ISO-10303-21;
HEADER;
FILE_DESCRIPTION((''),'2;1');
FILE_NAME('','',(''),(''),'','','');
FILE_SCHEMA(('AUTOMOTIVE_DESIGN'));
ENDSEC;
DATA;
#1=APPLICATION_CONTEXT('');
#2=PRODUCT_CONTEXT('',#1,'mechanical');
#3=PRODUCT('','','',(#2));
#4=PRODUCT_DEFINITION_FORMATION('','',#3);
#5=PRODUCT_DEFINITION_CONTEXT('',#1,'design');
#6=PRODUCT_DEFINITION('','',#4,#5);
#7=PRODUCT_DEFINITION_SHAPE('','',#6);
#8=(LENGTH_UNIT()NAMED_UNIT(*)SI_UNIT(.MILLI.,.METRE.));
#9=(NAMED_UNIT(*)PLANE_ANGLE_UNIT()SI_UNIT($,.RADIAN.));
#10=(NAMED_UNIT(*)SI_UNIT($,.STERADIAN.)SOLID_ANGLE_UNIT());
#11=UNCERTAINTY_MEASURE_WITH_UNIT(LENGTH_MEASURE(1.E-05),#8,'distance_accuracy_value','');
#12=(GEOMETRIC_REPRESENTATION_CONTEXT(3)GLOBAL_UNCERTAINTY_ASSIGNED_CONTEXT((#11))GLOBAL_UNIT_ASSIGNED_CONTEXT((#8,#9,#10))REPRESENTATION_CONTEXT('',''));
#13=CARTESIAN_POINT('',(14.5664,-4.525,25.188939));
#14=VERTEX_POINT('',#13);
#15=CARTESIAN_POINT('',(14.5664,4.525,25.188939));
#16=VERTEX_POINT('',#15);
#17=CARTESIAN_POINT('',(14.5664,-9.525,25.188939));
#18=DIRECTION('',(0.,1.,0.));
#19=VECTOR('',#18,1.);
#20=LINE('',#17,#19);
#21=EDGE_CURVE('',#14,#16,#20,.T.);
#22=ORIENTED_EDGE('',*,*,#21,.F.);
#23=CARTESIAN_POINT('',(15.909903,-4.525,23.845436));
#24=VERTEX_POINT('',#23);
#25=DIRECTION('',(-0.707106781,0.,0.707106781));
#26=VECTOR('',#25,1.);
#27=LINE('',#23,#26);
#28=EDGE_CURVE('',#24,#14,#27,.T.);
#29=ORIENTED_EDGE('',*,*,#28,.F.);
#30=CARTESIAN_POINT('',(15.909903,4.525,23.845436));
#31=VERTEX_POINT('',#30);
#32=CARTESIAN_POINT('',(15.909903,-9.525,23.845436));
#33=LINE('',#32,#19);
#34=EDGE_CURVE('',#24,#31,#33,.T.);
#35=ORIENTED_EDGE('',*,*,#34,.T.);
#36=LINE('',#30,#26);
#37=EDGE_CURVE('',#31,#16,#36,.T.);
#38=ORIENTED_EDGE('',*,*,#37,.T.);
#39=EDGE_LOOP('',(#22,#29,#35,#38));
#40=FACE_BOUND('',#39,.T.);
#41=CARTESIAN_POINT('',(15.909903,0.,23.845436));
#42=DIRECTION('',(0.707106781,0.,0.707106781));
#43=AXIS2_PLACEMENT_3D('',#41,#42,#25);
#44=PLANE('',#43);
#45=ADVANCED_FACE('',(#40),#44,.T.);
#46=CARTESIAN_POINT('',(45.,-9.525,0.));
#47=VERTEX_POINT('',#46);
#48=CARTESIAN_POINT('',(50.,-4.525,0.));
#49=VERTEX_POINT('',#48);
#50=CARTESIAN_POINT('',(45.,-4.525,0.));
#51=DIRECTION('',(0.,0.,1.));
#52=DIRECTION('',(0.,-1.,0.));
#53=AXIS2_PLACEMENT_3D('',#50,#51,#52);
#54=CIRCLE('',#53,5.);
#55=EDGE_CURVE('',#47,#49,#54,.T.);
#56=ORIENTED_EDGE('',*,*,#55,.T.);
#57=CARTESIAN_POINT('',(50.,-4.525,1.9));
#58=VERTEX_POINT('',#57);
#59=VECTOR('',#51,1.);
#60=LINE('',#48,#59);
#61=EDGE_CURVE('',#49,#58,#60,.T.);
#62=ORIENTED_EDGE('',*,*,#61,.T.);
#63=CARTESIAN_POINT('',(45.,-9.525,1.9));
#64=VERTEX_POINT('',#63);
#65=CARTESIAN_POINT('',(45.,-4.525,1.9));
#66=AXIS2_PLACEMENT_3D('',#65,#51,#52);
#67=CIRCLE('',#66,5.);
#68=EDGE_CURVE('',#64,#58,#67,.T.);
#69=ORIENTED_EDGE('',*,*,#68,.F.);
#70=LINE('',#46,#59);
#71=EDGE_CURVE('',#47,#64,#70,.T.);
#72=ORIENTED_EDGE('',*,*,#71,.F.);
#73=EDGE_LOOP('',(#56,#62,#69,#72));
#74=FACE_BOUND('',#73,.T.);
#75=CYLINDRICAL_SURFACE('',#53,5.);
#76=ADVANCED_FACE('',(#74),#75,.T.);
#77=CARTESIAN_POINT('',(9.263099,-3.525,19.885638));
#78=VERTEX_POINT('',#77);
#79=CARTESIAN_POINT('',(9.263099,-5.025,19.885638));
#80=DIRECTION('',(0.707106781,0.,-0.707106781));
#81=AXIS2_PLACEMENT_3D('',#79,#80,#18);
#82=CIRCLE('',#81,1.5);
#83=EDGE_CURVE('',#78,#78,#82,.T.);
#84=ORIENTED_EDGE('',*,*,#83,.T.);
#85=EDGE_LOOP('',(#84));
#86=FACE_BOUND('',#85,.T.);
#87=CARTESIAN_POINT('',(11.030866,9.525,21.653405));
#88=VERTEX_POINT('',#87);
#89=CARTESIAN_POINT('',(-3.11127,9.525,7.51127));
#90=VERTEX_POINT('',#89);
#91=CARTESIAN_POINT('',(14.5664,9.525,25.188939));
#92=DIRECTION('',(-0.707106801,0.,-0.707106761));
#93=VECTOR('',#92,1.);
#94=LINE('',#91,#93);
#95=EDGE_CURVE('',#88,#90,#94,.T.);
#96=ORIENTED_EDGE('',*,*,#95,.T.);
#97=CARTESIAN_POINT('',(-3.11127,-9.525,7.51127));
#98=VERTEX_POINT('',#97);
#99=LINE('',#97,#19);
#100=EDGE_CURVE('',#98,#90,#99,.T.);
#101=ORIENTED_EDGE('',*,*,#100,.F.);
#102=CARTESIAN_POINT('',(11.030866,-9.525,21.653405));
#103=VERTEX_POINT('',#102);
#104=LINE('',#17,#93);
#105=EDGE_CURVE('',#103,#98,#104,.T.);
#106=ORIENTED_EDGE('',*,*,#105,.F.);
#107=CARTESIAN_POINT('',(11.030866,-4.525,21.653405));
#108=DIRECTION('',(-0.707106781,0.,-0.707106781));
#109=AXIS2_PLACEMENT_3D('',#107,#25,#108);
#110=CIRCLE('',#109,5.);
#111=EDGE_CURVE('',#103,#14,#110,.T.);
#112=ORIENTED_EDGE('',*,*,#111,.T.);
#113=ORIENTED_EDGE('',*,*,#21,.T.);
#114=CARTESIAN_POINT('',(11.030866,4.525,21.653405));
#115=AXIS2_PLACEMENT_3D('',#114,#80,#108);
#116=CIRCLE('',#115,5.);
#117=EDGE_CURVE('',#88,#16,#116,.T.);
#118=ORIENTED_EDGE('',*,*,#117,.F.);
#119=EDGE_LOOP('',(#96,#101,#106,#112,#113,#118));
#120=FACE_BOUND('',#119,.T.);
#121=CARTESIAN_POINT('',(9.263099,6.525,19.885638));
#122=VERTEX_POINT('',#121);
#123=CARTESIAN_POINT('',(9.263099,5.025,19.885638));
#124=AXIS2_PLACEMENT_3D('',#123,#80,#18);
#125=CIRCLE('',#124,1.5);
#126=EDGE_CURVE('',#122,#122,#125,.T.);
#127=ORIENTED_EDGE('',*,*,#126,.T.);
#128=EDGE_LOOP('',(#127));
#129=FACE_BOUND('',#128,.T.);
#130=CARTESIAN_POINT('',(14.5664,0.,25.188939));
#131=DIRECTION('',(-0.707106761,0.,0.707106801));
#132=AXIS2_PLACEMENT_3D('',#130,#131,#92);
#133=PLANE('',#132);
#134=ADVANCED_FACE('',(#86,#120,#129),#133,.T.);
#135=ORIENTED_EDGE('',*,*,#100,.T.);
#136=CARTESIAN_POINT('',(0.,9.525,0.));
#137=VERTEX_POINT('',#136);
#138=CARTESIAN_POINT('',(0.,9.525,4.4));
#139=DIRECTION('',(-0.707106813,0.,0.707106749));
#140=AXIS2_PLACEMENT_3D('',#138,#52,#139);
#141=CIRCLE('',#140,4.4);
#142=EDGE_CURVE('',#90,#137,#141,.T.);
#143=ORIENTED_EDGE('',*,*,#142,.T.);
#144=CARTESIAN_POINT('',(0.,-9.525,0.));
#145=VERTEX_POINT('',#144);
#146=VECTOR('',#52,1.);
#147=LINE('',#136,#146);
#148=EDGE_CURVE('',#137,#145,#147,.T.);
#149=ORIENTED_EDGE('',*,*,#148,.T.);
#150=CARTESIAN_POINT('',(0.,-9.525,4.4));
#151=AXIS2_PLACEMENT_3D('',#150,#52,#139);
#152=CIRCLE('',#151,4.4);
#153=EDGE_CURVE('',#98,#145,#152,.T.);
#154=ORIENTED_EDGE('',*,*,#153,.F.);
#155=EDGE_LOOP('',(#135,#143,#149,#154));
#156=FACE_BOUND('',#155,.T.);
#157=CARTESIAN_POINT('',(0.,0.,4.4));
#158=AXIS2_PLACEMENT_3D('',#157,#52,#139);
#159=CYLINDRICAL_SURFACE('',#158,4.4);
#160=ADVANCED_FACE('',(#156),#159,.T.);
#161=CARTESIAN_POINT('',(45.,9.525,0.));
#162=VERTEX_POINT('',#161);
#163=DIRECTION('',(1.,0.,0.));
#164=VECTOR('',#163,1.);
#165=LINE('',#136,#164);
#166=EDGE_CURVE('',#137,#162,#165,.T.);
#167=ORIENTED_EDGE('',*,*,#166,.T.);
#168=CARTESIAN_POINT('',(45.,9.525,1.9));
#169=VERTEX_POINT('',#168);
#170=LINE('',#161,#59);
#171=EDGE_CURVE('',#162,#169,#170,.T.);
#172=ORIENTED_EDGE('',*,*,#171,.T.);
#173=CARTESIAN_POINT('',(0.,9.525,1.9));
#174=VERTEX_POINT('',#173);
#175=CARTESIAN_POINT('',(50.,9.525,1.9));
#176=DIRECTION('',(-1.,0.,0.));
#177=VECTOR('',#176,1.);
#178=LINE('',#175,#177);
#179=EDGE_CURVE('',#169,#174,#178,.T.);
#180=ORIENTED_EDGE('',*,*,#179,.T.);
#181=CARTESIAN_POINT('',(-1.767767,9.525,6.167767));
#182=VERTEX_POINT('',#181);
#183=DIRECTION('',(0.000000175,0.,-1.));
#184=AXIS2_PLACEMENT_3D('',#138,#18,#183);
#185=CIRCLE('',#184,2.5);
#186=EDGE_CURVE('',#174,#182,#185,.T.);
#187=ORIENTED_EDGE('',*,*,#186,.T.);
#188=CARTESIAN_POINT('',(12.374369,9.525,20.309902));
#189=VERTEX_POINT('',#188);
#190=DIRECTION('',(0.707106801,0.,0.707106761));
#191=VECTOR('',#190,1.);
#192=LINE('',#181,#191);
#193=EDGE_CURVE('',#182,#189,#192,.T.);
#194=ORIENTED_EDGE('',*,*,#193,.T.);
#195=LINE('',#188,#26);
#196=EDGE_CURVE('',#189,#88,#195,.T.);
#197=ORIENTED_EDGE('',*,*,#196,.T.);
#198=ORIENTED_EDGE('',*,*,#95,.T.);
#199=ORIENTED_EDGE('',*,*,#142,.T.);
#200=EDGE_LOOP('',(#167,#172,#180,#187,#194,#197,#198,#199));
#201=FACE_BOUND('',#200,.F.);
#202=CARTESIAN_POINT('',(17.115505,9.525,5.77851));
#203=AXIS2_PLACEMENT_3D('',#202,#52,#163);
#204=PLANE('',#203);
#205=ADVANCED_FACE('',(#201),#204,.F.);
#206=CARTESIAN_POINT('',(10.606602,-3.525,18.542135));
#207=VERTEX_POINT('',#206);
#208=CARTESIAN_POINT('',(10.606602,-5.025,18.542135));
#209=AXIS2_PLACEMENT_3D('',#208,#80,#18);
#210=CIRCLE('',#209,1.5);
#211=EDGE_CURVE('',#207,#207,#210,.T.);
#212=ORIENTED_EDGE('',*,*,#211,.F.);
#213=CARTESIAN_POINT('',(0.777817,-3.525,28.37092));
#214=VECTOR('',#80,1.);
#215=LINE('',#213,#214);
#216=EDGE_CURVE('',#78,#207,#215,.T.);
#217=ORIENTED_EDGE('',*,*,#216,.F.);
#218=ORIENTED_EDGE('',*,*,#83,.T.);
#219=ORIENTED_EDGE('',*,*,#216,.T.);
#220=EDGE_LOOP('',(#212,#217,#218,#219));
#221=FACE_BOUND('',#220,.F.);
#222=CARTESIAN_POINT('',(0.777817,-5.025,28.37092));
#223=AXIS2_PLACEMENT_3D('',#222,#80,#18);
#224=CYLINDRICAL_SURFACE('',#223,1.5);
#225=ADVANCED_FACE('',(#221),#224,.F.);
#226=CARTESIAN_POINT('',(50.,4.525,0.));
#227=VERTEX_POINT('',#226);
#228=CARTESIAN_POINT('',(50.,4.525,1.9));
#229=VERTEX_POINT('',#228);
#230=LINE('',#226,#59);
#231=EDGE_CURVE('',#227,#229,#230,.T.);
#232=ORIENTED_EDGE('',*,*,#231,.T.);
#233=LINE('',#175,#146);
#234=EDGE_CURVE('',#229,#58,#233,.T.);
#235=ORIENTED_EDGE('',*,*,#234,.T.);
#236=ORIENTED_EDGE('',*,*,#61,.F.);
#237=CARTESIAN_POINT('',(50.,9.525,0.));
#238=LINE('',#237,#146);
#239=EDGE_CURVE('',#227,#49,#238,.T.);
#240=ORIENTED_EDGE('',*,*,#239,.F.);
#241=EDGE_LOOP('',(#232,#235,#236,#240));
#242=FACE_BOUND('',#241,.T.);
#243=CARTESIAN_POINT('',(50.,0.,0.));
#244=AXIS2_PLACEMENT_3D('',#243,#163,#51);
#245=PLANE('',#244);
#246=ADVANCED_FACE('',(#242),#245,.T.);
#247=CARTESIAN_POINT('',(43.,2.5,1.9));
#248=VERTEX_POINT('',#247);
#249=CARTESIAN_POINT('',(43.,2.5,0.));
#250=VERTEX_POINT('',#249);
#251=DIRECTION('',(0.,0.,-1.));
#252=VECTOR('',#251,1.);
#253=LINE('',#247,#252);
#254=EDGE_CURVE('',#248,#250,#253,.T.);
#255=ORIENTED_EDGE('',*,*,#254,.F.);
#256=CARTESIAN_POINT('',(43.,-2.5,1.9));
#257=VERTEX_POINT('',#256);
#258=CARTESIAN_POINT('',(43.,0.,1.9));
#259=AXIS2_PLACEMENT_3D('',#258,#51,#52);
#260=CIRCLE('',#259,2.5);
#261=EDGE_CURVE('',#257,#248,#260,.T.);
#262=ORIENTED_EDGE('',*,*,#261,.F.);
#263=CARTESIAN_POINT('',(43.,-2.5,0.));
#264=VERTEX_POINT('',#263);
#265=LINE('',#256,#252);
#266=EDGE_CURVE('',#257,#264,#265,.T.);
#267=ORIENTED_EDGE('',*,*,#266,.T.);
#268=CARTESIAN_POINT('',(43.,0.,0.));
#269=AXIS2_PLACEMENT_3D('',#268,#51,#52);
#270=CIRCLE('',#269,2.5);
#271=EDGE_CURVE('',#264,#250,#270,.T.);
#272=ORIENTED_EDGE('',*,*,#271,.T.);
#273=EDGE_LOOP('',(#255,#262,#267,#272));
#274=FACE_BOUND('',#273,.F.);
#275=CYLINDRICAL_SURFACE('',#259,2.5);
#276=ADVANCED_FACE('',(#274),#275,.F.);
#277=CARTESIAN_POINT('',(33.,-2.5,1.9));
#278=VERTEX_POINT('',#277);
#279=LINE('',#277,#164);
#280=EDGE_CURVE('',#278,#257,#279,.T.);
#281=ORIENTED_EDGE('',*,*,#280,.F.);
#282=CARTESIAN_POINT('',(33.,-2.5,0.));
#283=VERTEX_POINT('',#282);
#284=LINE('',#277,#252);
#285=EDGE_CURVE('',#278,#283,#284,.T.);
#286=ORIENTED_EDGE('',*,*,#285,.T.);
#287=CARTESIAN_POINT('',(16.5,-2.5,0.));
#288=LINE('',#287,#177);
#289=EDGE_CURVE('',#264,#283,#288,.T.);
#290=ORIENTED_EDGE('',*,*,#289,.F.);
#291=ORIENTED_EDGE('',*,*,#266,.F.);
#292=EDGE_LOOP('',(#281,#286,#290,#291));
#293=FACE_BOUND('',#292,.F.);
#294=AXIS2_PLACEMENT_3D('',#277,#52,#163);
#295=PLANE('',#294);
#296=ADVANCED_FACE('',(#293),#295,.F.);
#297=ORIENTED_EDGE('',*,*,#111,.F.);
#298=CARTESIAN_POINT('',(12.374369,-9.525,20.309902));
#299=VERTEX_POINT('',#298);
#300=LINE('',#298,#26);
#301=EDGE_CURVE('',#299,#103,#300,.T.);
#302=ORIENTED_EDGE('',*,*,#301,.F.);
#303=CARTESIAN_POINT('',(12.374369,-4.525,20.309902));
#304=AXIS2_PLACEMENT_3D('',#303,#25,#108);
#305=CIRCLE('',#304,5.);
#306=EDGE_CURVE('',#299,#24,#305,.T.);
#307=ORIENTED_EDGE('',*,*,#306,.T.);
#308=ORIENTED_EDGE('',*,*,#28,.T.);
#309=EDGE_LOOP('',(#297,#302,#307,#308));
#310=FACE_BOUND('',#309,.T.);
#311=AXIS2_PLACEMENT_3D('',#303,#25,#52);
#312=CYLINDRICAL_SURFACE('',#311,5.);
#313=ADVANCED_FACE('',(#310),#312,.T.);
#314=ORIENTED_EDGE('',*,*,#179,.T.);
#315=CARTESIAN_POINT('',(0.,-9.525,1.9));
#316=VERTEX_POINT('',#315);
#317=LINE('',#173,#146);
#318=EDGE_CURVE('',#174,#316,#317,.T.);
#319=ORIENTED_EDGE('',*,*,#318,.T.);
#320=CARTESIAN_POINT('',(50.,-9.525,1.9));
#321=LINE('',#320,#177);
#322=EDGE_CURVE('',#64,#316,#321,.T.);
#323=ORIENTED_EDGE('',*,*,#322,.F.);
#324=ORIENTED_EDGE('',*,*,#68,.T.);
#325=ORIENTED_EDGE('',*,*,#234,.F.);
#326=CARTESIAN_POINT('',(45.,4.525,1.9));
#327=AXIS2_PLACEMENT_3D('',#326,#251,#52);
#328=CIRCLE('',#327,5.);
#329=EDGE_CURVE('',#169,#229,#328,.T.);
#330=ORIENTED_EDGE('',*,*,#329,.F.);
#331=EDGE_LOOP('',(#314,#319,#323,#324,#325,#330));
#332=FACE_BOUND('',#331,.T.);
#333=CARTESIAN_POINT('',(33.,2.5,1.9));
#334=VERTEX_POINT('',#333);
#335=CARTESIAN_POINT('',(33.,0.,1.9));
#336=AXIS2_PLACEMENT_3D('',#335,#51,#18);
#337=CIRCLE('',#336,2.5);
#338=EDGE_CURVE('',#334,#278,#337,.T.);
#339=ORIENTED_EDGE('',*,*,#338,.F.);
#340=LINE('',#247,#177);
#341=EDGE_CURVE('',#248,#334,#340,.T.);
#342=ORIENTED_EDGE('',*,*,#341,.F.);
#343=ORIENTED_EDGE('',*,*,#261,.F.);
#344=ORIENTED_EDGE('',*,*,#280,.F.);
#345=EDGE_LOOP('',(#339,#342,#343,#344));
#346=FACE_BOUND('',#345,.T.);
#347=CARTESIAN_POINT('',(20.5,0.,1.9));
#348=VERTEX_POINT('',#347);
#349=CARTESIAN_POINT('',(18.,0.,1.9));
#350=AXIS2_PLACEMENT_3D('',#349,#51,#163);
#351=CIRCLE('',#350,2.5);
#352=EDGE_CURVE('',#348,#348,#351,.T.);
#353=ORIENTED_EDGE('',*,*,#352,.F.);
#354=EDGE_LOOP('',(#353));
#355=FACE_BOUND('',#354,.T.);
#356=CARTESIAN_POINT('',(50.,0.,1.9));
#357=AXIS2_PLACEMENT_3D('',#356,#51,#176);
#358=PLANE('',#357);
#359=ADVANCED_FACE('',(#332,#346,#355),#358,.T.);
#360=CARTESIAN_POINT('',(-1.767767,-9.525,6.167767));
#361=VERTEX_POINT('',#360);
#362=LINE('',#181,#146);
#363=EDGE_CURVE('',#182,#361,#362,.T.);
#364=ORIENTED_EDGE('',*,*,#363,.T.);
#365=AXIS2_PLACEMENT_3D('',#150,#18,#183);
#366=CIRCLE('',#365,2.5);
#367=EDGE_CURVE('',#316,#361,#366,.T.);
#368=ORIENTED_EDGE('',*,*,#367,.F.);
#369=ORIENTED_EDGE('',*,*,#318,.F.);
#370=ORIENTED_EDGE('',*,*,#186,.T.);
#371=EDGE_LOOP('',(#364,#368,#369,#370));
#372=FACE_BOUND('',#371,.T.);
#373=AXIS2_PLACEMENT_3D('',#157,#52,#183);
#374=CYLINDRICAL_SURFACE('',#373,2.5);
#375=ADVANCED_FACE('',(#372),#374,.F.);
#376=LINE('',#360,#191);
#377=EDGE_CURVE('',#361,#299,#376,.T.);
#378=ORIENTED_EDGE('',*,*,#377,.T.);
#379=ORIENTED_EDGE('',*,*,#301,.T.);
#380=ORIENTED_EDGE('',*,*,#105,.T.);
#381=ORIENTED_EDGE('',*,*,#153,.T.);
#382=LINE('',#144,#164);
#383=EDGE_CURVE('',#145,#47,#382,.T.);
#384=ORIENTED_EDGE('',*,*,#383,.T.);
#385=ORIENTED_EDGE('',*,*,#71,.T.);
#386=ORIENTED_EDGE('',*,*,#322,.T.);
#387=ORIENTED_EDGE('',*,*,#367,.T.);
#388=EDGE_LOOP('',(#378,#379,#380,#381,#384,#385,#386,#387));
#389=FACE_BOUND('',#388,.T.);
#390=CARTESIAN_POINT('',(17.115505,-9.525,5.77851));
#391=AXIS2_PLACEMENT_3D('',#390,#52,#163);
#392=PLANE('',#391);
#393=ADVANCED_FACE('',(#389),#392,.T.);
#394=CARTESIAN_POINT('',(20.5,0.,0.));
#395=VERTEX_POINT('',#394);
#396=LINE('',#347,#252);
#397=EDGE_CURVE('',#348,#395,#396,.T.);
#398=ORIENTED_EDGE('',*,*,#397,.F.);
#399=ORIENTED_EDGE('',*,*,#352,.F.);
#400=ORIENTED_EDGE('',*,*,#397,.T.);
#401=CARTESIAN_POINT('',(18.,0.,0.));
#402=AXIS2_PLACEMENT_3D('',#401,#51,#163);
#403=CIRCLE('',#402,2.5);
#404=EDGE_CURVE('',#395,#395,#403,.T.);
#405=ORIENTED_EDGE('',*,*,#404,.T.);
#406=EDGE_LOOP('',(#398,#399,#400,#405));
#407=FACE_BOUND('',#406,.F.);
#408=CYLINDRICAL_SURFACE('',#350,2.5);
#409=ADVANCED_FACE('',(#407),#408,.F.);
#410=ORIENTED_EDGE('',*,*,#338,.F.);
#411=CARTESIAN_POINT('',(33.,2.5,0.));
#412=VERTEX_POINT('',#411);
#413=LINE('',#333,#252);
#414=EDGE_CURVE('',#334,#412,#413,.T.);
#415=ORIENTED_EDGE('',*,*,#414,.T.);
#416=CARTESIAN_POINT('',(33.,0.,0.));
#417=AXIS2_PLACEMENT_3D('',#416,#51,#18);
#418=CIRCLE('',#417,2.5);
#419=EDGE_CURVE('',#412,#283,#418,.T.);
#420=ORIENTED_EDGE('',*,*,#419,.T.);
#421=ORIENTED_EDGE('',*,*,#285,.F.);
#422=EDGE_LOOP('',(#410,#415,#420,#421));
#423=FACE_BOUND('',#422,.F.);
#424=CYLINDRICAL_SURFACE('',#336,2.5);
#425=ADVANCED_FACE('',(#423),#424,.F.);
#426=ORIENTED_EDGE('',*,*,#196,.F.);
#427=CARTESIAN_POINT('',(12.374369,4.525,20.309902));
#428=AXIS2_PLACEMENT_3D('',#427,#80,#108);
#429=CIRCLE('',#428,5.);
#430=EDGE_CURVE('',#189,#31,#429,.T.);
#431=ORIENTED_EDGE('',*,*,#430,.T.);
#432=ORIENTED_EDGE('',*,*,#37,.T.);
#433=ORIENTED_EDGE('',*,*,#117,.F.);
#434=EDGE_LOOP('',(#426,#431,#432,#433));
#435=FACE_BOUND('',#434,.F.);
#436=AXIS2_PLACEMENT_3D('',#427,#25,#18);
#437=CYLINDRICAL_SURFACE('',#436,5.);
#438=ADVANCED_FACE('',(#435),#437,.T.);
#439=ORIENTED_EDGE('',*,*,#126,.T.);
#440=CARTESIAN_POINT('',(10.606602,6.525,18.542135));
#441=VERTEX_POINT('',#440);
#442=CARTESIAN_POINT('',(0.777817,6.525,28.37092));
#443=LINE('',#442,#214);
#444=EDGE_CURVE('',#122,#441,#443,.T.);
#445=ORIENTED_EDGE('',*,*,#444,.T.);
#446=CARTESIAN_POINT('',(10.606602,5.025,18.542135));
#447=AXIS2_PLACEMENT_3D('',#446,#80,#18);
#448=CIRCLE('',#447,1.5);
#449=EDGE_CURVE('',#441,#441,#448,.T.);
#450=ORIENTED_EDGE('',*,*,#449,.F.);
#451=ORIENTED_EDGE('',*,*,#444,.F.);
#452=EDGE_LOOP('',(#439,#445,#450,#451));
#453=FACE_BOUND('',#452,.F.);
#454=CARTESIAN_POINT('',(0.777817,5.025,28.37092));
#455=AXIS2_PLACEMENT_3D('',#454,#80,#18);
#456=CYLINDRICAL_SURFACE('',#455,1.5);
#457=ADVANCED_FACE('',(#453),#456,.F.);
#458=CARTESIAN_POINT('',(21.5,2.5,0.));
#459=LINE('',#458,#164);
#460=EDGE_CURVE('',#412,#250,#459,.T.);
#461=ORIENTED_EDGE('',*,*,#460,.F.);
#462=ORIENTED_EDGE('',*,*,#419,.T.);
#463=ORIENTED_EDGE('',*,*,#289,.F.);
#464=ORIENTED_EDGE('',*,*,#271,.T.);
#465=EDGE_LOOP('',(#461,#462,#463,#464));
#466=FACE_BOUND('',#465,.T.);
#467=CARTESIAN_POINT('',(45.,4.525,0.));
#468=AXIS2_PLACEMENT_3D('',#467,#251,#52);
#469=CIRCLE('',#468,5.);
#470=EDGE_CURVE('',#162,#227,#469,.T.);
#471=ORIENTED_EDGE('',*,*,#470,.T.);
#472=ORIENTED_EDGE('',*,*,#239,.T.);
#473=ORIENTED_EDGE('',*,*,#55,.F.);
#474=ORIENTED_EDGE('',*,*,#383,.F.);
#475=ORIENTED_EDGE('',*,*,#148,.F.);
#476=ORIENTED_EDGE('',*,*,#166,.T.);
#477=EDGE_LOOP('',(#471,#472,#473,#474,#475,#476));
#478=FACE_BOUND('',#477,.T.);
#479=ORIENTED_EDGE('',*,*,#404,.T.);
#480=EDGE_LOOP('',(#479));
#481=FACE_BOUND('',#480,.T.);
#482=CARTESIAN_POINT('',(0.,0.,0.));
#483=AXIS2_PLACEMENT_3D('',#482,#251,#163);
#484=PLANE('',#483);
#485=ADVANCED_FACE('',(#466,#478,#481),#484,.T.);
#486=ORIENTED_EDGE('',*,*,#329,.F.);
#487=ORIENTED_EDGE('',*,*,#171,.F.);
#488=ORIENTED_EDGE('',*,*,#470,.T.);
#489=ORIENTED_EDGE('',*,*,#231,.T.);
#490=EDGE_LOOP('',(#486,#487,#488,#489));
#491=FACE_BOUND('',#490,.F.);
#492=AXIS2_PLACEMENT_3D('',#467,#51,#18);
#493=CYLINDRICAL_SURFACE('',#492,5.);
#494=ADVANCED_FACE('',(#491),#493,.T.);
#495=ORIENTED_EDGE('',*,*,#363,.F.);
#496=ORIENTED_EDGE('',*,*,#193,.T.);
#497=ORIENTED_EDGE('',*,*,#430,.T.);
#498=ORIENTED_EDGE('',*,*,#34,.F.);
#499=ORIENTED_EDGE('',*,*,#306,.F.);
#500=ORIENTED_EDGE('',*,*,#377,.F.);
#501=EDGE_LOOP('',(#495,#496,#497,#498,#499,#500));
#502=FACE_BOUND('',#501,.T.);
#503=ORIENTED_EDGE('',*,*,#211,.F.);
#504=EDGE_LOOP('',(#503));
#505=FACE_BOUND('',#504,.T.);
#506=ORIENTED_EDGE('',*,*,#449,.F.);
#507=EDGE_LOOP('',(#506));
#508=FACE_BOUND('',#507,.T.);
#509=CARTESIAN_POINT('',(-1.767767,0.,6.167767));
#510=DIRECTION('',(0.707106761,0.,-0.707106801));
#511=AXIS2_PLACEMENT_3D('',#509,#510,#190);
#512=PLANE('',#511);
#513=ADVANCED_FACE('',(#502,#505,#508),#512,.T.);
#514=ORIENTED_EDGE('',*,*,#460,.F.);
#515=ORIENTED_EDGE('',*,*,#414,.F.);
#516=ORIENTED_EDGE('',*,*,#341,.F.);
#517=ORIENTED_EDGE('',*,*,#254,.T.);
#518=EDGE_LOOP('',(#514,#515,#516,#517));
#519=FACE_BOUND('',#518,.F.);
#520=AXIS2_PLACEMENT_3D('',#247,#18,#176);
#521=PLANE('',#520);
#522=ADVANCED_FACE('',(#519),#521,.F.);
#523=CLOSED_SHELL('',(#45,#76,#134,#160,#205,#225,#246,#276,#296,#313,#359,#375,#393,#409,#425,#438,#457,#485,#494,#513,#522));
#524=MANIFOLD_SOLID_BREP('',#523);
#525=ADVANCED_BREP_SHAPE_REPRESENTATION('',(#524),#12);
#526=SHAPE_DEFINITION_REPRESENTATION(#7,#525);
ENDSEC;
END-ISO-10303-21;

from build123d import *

# Parameters (mm, degrees)
F1_DEPTH = 9.525
F3_D     = 3
F3_DEPTH = 12
F4_R     = 2.5
F5_DEPTH = 25
F6_R     = 5


with BuildPart() as f1:
    # F0 (on Front) → F1 (new body, symmetric)
    with BuildSketch(Plane.XZ):
        with BuildLine():
            ThreePointArc((-3.11127, 7.51127), (-4.06507, 2.716193), (0, 0))
            Line((0, 0), (50, 0))
            Line((50, 0), (50, 1.9))
            Line((50, 1.9), (0, 1.9))
            ThreePointArc((0, 1.9), (-2.309699, 3.443291), (-1.767767, 6.167767))
            Line((-1.767767, 6.167767), (15.909903, 23.845436))
            Line((15.909903, 23.845436), (14.5664, 25.188939))
            Line((14.5664, 25.188939), (-3.11127, 7.51127))
        make_face()
    extrude(amount=F1_DEPTH, both=True)

    # F3
    with Locations(Plane(origin=(-5.31127, 0, 5.31127), x_dir=(0, -1, 0), z_dir=(-0.707107, 0, 0.707107))):
        with Locations((-5.025, 20.61127), (5.025, 20.61127)):
            Hole(F3_D / 2, depth=F3_DEPTH)

    # F4 (on face) → F5 (cut)
    with BuildSketch(Plane.XY.offset(1.9)):
        with BuildLine():
            Line((33, -2.5), (43, -2.5))
            ThreePointArc((43, -2.5), (45.5, 0), (43, 2.5))
            Line((43, 2.5), (33, 2.5))
            ThreePointArc((33, 2.5), (30.5, 0), (33, -2.5))
        make_face()
        with Locations((18, 0)):
            Circle(F4_R)
    extrude(amount=-F5_DEPTH, mode=Mode.SUBTRACT)

    # F6
    f6_edges = [f1.edges().sort_by_distance(p)[0] for p in [
        (50, -9.525, 0.95),
        (50, 9.525, 0.95),
        (15.238151, -9.525, 24.517188),
        (15.238151, 9.525, 24.517188),
    ]]
    fillet(f6_edges, radius=F6_R)


solid = f1.part
